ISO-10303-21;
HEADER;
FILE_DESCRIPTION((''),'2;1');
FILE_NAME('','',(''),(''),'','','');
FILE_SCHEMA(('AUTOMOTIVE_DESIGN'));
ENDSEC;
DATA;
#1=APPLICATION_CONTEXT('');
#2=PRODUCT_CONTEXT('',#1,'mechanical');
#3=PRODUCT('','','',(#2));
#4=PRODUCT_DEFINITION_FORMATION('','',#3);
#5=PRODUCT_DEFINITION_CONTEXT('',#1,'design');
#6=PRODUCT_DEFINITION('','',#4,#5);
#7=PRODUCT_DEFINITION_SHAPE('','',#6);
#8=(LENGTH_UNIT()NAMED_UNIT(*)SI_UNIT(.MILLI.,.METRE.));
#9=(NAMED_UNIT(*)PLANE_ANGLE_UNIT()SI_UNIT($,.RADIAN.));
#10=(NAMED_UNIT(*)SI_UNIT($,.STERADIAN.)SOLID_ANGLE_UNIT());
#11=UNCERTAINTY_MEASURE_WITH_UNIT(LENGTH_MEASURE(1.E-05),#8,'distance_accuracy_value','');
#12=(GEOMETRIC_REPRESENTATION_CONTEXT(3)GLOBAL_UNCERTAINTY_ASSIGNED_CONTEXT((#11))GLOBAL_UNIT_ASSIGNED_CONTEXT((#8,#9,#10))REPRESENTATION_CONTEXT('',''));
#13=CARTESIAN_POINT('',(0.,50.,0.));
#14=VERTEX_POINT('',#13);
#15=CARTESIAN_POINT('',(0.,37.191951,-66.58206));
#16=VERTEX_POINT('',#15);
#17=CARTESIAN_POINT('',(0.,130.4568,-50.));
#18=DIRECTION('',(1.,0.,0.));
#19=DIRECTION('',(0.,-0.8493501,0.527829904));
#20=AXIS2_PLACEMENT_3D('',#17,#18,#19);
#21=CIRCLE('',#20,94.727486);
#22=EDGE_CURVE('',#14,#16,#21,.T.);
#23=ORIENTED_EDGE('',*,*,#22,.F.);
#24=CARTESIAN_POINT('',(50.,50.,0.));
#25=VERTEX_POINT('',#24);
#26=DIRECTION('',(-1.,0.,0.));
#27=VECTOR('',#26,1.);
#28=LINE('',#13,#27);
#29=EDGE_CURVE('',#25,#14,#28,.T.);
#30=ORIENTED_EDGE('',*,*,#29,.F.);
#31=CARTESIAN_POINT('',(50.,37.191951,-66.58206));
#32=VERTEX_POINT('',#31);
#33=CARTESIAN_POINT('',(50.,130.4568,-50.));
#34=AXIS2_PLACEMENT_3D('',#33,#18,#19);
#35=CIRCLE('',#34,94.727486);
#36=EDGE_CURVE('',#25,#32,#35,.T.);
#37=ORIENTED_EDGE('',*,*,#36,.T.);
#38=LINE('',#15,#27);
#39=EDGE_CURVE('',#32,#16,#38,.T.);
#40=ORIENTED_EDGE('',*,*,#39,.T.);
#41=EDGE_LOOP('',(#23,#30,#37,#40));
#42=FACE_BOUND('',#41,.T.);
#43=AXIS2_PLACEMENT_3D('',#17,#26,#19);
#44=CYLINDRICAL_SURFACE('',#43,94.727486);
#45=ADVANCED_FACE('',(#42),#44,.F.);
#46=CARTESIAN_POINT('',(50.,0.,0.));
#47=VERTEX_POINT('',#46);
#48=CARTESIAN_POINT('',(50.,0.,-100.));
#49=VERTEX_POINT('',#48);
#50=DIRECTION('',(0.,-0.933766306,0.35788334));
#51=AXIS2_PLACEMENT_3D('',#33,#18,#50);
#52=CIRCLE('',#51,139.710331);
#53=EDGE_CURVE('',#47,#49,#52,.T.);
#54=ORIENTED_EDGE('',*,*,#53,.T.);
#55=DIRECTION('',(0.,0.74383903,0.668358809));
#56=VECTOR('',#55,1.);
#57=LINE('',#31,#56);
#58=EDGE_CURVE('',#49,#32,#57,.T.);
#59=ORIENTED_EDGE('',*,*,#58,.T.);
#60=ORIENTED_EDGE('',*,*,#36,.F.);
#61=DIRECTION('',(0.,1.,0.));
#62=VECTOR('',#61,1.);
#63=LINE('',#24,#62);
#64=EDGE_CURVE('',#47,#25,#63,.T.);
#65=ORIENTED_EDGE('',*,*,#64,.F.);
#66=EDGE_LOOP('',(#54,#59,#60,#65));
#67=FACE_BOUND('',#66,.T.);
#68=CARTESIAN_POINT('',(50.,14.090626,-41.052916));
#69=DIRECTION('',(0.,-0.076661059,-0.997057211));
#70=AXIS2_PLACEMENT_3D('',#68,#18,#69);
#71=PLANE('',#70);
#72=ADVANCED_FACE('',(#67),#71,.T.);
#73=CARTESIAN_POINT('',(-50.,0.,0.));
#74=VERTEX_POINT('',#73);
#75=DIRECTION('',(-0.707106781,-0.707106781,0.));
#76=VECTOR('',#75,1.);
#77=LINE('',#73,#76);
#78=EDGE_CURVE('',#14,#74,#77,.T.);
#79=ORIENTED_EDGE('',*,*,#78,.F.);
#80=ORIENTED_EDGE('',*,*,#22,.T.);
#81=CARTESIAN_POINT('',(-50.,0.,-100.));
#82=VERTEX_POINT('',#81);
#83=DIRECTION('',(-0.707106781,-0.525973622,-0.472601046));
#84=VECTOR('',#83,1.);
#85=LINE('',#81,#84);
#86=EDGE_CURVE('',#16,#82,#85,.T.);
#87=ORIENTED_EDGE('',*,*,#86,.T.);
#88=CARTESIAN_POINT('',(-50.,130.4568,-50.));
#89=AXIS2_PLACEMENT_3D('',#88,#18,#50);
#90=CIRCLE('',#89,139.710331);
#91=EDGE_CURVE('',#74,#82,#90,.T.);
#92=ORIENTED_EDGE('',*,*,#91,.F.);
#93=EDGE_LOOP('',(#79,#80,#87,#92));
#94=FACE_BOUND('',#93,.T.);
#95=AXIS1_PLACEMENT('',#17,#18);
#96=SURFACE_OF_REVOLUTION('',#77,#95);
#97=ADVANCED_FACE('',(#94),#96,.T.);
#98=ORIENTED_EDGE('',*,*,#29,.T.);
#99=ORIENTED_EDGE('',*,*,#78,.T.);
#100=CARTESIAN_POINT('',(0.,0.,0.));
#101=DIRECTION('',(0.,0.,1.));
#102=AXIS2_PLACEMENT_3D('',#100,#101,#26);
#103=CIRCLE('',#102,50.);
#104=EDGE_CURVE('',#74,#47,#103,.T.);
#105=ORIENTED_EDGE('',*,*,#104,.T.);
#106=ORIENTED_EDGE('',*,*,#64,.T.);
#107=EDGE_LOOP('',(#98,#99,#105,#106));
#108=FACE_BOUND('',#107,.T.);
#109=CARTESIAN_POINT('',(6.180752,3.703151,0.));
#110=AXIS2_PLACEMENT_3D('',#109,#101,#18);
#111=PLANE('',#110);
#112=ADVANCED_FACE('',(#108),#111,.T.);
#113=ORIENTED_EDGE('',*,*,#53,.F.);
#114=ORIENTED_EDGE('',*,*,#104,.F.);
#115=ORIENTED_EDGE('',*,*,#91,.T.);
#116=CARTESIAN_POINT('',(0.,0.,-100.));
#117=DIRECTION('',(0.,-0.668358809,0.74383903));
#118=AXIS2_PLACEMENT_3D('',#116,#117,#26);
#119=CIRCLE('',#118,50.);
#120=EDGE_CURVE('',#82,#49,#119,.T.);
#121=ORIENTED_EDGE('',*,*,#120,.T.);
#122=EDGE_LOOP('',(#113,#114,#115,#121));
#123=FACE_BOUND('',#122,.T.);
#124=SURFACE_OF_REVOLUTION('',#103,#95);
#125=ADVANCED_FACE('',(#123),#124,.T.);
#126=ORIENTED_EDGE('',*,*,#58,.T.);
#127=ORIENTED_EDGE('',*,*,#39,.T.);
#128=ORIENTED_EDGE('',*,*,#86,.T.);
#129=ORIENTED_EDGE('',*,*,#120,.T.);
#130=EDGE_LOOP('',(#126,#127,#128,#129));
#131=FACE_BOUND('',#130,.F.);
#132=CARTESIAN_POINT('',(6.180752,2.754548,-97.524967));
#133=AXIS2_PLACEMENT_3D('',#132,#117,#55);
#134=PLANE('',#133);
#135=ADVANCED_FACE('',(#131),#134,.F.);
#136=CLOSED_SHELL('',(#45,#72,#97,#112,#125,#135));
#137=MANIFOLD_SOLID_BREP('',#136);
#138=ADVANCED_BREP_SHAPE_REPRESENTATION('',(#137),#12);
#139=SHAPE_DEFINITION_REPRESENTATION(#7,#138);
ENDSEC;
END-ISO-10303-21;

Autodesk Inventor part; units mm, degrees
ref_plane "YZ Plane" through (0, 0, 0) normal (1, 0, 0) x (0, 1, 0)
ref_plane "XZ Plane" through (0, 0, 0) normal (0, 1, 0) x (-1, 0, 0)
sketch "Sketch1" plane through (0, 0, 0) normal (0, 0, 1) x (1, 0, 0)
  line L0 (0, 50) -> (50, 50)
  line L1 (50, 50) -> (50, 0)
  arc A0 (-50, 0) -> (50, 0) centre (0, 0) ccw
  line L2 (-50, 0) -> (0, 50)
ref_plane "Work Plane1" through (0, 0, -100) normal (0, 0, 1) x (1, 0, 0)
sketch "Sketch4" plane through (0, 0, 0) normal (1, 0, 0) x (0, 1, 0)
  arc A0 (0, 0) -> (0, -100) centre (130.4568, -50) ccw
sweep "Sweep1" add profiles "Sketch1" path "Sketch4"
properties part number "LoftExtrudeRevSwp"
